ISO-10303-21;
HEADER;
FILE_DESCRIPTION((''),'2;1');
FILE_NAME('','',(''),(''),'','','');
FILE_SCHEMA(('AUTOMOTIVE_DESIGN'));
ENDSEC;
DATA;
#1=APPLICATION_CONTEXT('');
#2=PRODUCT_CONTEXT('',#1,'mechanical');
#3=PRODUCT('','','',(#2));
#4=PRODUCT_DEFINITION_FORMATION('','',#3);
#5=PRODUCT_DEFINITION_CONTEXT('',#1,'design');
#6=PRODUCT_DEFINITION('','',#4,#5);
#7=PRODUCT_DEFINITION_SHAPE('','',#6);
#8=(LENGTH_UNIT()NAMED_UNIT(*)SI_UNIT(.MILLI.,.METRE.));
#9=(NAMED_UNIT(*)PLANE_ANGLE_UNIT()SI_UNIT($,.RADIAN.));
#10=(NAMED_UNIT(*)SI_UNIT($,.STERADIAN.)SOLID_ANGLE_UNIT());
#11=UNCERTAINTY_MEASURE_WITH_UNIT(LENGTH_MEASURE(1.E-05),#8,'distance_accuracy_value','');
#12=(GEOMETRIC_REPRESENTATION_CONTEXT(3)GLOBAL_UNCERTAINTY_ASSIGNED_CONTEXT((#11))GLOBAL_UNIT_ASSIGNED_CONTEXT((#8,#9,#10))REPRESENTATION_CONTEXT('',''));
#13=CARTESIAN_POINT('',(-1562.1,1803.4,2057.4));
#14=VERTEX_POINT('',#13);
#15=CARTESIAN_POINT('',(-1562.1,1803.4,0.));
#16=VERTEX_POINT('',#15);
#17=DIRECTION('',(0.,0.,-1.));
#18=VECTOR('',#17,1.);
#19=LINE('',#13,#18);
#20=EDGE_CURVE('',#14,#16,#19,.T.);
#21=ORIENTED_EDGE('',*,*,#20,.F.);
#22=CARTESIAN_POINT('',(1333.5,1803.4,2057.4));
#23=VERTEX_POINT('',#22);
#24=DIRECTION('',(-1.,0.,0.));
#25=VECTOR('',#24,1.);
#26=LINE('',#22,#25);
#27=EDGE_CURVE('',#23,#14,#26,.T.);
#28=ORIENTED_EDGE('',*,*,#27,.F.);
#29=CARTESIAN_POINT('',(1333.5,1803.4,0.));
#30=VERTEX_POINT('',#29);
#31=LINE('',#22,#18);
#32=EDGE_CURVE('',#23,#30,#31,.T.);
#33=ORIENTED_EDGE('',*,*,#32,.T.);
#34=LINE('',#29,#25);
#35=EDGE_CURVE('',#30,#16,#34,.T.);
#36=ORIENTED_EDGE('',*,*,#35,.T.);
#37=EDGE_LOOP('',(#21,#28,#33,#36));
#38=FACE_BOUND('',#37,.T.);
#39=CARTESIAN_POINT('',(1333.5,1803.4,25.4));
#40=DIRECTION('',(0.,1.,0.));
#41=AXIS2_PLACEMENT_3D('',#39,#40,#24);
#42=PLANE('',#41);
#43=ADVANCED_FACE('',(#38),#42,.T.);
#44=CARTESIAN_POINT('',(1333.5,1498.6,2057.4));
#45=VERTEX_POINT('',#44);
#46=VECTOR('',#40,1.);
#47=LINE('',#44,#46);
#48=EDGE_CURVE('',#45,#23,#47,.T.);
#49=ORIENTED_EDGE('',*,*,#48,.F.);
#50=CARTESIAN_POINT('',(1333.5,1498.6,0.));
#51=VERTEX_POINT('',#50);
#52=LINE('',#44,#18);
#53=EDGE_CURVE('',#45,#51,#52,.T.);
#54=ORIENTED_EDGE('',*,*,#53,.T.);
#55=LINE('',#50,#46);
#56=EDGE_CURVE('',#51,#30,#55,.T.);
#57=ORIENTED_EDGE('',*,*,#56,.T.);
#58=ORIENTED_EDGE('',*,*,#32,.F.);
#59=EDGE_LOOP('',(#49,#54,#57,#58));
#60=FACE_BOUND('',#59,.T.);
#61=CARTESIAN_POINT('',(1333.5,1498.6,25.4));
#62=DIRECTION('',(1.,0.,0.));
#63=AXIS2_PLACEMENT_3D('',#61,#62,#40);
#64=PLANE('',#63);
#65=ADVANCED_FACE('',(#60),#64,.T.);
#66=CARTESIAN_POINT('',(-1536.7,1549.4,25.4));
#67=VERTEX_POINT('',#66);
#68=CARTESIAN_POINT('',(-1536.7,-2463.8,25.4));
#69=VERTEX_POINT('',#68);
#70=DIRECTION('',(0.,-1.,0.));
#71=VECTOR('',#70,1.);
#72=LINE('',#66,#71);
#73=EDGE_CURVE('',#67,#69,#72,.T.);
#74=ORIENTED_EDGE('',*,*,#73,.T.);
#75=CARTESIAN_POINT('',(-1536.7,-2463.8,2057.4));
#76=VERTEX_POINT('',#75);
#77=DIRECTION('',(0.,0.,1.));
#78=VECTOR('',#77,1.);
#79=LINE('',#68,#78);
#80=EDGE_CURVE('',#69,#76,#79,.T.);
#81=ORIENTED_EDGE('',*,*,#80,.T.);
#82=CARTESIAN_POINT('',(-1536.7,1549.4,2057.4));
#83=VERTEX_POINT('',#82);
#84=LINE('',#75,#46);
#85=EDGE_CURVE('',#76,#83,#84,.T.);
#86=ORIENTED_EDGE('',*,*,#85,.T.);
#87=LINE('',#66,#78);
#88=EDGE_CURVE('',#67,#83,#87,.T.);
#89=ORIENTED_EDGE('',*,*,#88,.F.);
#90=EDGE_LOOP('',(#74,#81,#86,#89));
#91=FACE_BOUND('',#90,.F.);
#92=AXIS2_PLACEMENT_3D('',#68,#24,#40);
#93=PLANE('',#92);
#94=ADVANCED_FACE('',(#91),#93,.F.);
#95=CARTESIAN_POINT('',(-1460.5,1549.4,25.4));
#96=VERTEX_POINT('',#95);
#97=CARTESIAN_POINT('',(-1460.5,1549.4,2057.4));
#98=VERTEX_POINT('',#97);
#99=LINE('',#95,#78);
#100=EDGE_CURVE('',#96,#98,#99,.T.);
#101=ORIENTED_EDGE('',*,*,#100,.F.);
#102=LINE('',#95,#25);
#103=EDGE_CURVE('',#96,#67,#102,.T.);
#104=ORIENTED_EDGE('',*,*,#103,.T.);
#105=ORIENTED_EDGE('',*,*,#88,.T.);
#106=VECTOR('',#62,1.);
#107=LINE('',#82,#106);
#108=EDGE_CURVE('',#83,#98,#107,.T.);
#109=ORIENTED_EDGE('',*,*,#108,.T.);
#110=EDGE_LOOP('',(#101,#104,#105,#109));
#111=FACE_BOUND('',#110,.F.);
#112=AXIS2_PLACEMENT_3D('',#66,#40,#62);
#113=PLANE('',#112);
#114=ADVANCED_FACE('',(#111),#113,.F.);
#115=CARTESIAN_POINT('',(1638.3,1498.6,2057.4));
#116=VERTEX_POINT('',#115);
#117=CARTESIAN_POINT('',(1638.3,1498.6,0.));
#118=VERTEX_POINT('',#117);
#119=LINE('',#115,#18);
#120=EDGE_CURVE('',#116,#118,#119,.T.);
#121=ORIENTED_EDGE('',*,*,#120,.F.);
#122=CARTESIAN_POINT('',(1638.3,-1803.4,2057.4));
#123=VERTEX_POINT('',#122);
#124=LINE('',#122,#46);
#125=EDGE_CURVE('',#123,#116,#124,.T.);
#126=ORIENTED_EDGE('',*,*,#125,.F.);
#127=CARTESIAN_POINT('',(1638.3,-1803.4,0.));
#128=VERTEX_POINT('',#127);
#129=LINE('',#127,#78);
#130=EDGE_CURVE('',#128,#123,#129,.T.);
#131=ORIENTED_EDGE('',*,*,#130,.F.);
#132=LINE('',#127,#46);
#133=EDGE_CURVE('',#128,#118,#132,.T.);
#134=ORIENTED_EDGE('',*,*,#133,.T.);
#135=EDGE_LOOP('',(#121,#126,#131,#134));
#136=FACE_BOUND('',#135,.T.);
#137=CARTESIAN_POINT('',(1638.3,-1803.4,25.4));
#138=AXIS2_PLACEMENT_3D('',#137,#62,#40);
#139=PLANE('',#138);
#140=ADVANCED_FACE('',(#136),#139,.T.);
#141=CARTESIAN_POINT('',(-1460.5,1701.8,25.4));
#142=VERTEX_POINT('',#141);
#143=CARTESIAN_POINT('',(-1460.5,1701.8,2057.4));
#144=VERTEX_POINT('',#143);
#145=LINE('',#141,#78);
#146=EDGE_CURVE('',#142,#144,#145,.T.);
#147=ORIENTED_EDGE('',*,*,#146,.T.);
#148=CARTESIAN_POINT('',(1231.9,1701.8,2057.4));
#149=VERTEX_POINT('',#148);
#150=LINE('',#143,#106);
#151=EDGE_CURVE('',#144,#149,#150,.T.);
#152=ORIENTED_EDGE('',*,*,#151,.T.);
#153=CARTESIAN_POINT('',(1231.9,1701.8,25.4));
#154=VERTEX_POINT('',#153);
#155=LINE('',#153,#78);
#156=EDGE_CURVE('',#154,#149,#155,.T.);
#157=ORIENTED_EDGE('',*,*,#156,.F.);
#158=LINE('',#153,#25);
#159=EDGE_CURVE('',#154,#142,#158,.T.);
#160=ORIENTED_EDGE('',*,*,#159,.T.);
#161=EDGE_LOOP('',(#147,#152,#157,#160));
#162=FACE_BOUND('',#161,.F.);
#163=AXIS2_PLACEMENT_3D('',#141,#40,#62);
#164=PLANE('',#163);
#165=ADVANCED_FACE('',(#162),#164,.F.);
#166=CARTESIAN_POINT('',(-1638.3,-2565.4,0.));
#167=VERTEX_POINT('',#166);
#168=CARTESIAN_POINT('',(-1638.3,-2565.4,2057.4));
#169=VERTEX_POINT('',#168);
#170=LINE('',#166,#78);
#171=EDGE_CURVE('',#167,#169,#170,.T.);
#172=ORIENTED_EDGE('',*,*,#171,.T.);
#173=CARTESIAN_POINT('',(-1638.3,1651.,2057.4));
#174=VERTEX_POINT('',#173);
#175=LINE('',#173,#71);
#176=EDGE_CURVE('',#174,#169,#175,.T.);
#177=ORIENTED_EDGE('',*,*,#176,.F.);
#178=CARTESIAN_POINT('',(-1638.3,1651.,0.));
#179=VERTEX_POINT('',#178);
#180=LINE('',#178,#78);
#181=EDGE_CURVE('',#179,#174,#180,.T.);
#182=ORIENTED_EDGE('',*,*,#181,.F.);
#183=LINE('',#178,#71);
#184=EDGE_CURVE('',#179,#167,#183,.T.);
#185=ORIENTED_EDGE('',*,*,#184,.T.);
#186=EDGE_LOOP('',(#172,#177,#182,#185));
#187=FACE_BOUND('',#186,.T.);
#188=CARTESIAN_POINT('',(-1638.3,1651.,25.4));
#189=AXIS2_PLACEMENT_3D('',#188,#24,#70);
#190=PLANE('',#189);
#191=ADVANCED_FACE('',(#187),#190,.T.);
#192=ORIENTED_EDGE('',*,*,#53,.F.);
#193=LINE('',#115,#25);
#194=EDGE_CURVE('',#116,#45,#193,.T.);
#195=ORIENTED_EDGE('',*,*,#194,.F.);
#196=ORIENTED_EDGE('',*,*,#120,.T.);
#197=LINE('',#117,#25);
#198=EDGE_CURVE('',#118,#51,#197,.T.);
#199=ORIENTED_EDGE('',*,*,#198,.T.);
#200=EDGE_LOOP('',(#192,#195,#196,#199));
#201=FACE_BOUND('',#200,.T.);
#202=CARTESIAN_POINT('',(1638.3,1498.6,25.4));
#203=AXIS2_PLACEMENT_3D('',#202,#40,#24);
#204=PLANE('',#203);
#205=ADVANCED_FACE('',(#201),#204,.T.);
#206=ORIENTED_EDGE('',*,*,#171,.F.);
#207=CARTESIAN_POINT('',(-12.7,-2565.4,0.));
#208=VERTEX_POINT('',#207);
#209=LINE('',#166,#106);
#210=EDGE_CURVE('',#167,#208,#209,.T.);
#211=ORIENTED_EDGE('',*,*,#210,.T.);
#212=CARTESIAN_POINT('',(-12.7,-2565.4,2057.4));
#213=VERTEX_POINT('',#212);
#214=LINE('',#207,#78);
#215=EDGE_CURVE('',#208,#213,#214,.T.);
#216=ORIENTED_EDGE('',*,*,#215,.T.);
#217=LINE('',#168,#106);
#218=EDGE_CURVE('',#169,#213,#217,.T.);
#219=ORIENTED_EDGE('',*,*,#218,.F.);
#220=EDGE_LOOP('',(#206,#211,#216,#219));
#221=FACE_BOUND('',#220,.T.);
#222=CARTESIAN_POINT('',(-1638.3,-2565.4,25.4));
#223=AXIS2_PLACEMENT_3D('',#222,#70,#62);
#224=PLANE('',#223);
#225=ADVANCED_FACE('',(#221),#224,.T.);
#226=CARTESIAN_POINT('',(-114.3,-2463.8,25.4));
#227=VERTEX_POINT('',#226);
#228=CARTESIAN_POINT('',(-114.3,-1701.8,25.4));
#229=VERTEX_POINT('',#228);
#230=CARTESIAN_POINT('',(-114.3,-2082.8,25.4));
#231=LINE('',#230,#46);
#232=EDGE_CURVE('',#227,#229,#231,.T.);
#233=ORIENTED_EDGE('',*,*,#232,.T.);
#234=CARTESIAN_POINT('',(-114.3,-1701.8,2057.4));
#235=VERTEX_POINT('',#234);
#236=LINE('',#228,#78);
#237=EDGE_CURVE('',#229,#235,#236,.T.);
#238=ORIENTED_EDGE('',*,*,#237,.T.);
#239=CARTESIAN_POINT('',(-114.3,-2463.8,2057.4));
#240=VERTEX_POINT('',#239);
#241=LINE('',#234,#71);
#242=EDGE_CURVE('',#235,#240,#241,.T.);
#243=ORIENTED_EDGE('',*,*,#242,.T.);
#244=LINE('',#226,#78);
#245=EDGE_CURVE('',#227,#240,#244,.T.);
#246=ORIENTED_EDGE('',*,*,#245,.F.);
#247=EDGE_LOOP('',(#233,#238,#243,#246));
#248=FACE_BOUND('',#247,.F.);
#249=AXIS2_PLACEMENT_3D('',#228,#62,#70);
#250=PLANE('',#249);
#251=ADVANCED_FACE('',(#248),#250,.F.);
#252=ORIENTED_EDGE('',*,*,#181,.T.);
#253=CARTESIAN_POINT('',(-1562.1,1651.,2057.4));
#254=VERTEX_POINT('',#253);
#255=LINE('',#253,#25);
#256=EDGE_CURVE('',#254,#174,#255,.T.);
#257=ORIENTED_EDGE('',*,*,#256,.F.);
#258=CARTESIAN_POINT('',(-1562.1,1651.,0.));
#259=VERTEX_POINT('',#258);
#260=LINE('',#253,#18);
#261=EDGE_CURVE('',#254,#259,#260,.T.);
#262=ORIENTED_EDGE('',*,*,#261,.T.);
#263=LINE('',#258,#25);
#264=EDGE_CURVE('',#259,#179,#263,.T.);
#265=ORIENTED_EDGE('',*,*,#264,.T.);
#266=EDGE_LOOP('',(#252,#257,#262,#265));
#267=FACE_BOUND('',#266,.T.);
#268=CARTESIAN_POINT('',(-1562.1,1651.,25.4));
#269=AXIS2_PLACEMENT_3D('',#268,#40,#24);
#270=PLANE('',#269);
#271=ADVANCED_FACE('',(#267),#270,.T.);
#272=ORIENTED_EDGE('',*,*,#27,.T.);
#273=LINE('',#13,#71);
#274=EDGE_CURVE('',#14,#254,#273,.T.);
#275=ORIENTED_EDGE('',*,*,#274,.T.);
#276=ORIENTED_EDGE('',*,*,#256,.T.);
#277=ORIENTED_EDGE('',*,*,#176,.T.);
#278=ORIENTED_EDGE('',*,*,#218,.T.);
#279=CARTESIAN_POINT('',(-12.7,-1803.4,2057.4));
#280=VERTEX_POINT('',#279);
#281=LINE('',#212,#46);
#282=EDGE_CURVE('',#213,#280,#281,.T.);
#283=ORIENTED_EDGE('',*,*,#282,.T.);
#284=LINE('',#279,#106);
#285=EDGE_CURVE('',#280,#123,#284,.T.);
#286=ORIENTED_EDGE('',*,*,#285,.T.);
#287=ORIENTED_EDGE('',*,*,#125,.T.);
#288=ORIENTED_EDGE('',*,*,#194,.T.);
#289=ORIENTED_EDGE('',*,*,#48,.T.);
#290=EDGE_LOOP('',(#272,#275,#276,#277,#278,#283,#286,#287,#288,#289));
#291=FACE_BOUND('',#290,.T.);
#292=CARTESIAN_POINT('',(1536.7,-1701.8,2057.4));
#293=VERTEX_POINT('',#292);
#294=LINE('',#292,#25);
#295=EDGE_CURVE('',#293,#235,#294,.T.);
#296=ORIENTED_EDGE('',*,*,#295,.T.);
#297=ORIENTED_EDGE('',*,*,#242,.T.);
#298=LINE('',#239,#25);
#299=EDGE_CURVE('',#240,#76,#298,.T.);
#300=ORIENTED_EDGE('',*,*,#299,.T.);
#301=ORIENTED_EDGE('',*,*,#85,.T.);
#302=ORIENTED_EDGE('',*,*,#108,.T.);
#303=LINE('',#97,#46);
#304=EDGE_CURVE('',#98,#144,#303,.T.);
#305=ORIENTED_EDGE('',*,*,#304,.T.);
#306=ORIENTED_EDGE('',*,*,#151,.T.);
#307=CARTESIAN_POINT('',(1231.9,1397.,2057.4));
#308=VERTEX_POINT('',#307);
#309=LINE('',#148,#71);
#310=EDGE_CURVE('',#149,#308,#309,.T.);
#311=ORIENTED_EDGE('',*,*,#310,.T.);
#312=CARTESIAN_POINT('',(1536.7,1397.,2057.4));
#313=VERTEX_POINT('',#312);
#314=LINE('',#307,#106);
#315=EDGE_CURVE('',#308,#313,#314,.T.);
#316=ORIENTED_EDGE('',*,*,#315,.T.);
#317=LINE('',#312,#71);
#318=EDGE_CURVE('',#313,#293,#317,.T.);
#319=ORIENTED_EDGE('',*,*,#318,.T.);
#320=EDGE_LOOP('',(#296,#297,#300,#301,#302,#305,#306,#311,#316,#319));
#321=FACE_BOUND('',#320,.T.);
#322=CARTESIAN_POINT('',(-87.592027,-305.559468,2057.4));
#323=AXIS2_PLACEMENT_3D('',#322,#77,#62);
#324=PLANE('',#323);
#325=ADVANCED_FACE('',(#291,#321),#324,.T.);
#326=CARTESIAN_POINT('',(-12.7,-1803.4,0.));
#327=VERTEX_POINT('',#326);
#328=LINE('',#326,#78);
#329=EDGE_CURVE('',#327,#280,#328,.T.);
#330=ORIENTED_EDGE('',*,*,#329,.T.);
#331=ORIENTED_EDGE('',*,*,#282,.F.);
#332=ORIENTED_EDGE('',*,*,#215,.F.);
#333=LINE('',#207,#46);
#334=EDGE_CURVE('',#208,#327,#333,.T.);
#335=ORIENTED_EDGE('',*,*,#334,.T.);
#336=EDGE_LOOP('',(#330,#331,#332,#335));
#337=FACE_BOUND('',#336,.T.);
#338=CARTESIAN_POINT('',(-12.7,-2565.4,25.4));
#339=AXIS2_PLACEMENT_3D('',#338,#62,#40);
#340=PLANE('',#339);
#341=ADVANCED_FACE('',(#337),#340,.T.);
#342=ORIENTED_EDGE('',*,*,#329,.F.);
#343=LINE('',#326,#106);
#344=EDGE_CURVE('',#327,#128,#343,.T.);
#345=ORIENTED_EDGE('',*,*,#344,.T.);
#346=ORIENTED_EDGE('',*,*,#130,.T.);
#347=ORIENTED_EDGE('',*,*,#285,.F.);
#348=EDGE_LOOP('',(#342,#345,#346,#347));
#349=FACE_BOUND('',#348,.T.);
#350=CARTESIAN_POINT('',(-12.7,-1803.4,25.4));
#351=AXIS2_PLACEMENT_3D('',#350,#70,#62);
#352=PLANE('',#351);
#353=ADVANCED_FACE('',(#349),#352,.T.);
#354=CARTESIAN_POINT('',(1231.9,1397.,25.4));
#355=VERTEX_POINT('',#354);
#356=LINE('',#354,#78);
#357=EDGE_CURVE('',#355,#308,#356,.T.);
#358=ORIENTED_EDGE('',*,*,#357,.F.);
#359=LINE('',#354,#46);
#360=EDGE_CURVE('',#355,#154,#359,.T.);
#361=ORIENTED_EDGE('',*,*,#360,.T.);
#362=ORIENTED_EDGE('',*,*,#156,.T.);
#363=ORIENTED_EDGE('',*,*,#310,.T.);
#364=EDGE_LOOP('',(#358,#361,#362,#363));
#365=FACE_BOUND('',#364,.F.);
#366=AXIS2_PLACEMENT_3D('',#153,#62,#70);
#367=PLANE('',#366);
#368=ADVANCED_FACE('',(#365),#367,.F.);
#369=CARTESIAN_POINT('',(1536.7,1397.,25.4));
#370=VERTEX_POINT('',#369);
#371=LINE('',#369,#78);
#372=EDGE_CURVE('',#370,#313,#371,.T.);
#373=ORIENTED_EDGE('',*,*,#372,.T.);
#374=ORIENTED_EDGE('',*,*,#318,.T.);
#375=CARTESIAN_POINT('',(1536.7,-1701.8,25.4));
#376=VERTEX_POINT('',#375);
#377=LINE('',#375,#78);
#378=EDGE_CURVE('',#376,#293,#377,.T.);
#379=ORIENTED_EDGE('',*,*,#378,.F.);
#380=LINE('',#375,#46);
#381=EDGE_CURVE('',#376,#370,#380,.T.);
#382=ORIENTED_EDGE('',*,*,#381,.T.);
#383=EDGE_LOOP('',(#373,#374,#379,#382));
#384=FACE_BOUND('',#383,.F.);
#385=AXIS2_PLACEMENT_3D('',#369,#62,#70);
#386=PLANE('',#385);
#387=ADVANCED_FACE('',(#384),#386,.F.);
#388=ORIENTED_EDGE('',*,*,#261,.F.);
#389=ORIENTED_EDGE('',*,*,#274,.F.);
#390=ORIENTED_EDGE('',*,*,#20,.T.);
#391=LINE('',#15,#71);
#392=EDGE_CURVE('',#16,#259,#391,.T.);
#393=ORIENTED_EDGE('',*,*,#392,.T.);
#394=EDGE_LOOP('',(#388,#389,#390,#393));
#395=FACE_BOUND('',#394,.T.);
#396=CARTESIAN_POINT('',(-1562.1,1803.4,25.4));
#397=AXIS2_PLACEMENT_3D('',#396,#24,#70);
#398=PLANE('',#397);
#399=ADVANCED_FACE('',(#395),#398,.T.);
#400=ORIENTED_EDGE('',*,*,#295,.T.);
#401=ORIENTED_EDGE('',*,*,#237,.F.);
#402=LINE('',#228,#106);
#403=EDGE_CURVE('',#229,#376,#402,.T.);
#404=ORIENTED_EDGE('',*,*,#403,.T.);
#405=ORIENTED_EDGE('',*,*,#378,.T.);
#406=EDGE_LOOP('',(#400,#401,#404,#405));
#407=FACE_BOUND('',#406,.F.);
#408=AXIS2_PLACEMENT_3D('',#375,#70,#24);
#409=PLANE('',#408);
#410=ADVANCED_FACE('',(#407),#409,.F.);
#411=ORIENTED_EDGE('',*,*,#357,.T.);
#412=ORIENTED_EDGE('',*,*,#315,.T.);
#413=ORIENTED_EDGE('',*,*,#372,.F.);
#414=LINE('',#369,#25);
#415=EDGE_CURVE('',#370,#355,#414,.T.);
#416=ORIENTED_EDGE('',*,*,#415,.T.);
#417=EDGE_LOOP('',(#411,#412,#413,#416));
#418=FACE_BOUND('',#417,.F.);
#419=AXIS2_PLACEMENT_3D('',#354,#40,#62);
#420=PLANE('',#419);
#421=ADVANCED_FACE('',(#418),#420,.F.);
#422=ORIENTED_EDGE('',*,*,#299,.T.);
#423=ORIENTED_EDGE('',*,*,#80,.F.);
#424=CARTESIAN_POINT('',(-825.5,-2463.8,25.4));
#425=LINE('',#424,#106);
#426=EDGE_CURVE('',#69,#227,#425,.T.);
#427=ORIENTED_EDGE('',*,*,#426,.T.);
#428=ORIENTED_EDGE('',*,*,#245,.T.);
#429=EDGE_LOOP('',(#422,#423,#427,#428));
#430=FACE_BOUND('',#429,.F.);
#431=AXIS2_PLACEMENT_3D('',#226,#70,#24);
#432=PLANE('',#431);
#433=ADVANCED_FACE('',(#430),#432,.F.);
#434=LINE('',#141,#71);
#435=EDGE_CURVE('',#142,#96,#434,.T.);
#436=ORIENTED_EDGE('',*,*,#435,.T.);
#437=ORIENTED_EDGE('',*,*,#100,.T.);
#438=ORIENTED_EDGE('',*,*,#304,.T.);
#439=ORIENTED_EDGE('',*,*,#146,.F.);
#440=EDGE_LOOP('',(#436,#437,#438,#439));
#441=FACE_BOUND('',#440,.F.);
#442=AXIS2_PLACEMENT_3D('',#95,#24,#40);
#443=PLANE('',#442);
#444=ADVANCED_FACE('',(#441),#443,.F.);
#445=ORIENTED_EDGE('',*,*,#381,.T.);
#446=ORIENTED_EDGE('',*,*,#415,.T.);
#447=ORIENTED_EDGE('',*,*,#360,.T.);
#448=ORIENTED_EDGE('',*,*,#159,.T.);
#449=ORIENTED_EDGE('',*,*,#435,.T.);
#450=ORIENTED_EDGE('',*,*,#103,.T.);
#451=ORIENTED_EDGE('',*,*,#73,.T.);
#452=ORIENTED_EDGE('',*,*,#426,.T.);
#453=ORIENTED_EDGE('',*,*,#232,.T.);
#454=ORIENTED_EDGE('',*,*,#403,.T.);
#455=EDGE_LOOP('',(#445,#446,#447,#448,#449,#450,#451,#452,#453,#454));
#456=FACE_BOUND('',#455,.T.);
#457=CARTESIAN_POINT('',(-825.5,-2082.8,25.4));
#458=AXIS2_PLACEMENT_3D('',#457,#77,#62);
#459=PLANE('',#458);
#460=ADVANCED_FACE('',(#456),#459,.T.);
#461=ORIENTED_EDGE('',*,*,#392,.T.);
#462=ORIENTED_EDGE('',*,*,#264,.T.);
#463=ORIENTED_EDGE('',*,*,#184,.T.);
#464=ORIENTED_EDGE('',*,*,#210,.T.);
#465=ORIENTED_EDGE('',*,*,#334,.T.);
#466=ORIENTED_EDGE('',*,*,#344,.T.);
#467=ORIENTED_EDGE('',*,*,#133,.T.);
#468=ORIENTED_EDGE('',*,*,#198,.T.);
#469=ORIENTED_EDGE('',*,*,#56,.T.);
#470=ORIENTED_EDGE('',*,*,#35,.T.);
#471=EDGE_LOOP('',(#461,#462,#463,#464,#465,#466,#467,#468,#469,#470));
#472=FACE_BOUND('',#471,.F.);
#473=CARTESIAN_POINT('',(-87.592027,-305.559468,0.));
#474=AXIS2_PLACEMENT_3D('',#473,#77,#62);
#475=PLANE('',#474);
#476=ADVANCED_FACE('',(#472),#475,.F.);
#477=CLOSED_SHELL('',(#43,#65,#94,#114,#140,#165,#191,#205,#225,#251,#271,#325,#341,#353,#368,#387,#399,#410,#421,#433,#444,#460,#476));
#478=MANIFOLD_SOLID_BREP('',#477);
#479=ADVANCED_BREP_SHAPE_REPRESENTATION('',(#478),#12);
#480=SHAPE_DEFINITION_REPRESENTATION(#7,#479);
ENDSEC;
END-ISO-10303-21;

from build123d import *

# Parameters (mm, degrees)
F0_W          = 1422.4
F0_H          = 762
F1_DEPTH      = 25.4
F3_DEPTH      = 2032
F3_DEPTH_BACK = 25.4


with BuildPart() as f1:
    # F0 (on Top) → F1 (new body)
    with BuildSketch(Plane.XY):
        with Locations((-825.5, -2082.8)):
            Rectangle(F0_W, F0_H)
        Polygon((-114.3, -1701.8), (1536.7, -1701.8), (1536.7, 1397), (1231.9, 1397), (1231.9, 1701.8), (-1460.5, 1701.8), (-1460.5, 1549.4), (-1536.7, 1549.4), (-1536.7, -1701.8), align=None)
    extrude(amount=F1_DEPTH)

    # F2 (on face) → F3 (join, two sides)
    with BuildSketch(Plane.XY.offset(25.4)) as f3_sk:
        Polygon((-1562.1, 1651), (-1638.3, 1651), (-1638.3, -2565.4), (-12.7, -2565.4), (-12.7, -1803.4), (1638.3, -1803.4), (1638.3, 1498.6), (1333.5, 1498.6), (1333.5, 1803.4), (-1562.1, 1803.4), align=None)
        Polygon((-114.3, -1701.8), (-114.3, -2463.8), (-1536.7, -2463.8), (-1536.7, 1549.4), (-1460.5, 1549.4), (-1460.5, 1701.8), (1231.9, 1701.8), (1231.9, 1397), (1536.7, 1397), (1536.7, -1701.8), align=None, mode=Mode.SUBTRACT)
    extrude(amount=F3_DEPTH)
    extrude(f3_sk.sketch, amount=-F3_DEPTH_BACK)


solid = f1.part
